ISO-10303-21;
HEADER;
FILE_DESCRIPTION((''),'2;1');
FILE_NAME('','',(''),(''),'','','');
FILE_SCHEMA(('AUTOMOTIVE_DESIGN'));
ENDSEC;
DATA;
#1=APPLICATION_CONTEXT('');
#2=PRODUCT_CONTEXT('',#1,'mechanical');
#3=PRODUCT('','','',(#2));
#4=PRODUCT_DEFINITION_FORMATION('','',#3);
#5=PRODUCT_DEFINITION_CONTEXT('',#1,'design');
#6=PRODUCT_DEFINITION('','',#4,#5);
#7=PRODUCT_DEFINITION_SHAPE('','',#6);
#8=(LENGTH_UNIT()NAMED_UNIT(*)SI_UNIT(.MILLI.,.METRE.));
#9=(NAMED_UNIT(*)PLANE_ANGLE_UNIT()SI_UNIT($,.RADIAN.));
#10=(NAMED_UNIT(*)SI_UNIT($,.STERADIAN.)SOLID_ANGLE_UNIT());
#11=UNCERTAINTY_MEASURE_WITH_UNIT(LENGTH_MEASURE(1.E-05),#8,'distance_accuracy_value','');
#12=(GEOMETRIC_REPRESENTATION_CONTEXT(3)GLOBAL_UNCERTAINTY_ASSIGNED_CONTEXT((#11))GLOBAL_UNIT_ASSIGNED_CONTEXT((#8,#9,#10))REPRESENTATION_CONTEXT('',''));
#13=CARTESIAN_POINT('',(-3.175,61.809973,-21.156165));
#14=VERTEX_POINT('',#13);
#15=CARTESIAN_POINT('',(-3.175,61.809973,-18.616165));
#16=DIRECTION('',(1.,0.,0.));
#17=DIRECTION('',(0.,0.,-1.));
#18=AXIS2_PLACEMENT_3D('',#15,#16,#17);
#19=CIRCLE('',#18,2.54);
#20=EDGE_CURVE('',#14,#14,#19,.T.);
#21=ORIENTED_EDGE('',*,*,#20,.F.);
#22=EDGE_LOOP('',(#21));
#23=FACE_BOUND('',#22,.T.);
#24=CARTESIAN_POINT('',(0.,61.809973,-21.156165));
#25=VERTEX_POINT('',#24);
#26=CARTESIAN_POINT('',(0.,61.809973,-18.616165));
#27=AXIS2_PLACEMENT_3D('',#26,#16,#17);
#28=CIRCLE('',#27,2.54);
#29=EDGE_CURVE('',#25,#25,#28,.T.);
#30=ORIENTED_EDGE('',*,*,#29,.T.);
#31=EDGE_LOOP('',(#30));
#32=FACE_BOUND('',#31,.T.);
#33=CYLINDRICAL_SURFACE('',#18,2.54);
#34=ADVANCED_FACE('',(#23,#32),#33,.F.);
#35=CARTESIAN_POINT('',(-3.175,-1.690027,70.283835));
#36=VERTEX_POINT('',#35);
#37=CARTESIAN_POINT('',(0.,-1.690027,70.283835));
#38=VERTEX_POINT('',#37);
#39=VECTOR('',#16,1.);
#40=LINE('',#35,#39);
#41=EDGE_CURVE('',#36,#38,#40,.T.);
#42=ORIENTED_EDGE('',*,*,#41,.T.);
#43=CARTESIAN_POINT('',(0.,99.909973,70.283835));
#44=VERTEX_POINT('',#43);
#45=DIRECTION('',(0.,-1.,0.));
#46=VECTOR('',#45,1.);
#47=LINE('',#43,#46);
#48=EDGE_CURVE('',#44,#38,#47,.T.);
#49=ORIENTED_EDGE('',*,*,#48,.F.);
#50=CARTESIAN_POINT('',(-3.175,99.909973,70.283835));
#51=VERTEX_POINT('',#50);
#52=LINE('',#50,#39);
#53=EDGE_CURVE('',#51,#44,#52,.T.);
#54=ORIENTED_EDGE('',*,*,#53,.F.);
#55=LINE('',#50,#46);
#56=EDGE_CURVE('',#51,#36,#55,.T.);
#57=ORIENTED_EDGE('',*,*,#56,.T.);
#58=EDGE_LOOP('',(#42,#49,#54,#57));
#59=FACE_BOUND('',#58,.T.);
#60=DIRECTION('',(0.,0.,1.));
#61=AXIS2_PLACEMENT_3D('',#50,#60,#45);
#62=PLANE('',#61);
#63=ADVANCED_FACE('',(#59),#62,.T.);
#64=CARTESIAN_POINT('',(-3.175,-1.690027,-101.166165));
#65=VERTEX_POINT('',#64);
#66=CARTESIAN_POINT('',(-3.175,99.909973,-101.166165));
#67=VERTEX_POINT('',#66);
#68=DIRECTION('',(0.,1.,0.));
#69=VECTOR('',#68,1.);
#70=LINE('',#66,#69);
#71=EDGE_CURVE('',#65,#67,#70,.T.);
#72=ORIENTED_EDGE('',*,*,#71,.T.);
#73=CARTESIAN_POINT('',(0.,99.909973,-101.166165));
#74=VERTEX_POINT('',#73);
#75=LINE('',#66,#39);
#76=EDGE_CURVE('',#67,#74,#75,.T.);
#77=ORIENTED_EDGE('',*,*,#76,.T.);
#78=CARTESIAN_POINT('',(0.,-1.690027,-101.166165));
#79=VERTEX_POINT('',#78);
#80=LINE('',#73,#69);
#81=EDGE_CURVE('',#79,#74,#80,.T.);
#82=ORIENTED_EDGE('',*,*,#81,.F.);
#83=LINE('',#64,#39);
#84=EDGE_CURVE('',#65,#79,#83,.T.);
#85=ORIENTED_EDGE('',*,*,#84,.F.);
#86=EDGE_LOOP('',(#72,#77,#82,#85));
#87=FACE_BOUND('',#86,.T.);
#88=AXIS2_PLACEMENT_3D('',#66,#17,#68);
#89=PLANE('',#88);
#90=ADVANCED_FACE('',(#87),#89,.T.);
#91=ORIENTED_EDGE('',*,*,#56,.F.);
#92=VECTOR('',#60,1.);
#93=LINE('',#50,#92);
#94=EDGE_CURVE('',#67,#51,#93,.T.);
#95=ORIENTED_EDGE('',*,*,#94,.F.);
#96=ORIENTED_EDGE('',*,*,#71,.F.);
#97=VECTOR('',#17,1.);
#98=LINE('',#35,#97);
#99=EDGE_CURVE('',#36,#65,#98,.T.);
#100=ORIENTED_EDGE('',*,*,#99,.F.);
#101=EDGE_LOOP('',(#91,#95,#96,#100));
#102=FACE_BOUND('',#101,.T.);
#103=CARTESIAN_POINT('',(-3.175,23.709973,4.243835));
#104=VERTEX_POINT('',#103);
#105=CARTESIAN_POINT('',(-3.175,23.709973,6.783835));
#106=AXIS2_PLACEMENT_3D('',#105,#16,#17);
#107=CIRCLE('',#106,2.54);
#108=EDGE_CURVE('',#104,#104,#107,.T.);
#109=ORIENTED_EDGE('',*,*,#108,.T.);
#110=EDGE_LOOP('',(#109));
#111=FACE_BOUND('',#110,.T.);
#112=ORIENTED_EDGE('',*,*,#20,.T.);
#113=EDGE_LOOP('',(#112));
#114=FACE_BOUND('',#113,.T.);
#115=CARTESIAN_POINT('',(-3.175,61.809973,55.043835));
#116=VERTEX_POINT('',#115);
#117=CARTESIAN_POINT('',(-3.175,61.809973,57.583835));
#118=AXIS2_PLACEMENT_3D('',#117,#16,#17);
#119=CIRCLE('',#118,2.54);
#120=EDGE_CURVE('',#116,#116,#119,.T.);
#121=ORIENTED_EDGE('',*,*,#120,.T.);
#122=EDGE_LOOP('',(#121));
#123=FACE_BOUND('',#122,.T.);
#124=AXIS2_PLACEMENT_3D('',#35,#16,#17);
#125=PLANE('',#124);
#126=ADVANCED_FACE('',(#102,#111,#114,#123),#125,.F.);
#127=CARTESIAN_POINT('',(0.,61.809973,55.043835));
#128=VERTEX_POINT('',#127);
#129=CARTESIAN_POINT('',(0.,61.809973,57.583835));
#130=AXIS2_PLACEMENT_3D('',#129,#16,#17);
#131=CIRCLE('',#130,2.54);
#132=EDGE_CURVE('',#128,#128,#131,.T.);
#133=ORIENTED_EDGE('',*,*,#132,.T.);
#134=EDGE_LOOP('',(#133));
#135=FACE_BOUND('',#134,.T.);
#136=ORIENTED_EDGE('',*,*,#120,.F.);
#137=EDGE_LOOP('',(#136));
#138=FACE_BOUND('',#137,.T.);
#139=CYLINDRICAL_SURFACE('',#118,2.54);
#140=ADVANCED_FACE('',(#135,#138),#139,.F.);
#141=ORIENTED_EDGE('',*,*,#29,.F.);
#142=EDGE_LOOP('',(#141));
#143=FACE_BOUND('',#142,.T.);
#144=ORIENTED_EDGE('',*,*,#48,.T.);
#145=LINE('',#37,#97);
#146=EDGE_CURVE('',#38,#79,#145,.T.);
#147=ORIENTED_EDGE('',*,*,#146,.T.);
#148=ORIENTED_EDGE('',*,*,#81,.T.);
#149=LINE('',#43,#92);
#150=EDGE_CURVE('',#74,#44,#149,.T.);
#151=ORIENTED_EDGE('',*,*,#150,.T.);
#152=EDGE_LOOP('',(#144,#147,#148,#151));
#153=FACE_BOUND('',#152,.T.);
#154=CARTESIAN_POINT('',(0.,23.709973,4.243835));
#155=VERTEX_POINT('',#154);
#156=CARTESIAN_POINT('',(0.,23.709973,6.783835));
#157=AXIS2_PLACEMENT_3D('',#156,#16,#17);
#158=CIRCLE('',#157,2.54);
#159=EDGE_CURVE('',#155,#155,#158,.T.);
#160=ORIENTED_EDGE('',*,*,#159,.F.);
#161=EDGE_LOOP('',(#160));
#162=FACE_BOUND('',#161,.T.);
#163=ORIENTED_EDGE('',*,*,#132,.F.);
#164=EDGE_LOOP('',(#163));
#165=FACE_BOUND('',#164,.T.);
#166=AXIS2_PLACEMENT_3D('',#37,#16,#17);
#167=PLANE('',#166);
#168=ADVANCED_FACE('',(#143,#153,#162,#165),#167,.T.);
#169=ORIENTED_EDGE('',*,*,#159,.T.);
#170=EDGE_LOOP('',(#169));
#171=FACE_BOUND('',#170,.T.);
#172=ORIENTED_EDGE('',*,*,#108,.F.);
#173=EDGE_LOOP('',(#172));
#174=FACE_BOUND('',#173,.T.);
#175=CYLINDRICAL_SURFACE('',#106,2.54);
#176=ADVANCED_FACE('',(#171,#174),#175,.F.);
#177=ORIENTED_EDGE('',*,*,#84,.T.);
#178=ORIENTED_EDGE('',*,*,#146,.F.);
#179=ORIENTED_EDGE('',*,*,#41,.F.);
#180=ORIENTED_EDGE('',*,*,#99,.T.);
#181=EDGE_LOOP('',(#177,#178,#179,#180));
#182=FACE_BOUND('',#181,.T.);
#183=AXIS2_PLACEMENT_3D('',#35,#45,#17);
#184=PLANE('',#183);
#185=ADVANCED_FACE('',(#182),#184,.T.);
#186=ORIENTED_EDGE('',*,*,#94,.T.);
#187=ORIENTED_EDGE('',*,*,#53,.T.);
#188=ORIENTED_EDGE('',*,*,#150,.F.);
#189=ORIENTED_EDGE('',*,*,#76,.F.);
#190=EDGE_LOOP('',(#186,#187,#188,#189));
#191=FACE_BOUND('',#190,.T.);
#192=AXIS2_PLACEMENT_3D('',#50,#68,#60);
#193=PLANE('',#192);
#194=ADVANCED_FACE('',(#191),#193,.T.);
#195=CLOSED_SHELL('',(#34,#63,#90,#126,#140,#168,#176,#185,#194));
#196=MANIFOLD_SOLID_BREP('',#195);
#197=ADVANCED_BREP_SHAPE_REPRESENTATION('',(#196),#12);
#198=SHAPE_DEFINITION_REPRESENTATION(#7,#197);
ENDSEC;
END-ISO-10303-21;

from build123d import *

# Parameters (mm, degrees)
SKETCH1_W           = 171.45
SKETCH1_H           = 101.6
SKETCH1_R           = 2.54
BOSS_EXTRUDE1_DEPTH = 3.175


with BuildPart() as part:
    # Sketch1 → Boss-Extrude1 (new body)
    with BuildSketch(Plane(origin=(0, 0, 0), x_dir=(0, 0, -1), z_dir=(1, 0, 0))):
        with Locations((15.441164676, 49.109973191)):
            Rectangle(SKETCH1_W, SKETCH1_H)
        with Locations((-57.583835324, 61.809973191)):
            Circle(SKETCH1_R, mode=Mode.SUBTRACT)
        with Locations((18.616164676, 61.809973191)):
            Circle(SKETCH1_R, mode=Mode.SUBTRACT)
        with Locations((-6.783835324, 23.709973191)):
            Circle(SKETCH1_R, mode=Mode.SUBTRACT)
    extrude(amount=-BOSS_EXTRUDE1_DEPTH)


solid = part.part
